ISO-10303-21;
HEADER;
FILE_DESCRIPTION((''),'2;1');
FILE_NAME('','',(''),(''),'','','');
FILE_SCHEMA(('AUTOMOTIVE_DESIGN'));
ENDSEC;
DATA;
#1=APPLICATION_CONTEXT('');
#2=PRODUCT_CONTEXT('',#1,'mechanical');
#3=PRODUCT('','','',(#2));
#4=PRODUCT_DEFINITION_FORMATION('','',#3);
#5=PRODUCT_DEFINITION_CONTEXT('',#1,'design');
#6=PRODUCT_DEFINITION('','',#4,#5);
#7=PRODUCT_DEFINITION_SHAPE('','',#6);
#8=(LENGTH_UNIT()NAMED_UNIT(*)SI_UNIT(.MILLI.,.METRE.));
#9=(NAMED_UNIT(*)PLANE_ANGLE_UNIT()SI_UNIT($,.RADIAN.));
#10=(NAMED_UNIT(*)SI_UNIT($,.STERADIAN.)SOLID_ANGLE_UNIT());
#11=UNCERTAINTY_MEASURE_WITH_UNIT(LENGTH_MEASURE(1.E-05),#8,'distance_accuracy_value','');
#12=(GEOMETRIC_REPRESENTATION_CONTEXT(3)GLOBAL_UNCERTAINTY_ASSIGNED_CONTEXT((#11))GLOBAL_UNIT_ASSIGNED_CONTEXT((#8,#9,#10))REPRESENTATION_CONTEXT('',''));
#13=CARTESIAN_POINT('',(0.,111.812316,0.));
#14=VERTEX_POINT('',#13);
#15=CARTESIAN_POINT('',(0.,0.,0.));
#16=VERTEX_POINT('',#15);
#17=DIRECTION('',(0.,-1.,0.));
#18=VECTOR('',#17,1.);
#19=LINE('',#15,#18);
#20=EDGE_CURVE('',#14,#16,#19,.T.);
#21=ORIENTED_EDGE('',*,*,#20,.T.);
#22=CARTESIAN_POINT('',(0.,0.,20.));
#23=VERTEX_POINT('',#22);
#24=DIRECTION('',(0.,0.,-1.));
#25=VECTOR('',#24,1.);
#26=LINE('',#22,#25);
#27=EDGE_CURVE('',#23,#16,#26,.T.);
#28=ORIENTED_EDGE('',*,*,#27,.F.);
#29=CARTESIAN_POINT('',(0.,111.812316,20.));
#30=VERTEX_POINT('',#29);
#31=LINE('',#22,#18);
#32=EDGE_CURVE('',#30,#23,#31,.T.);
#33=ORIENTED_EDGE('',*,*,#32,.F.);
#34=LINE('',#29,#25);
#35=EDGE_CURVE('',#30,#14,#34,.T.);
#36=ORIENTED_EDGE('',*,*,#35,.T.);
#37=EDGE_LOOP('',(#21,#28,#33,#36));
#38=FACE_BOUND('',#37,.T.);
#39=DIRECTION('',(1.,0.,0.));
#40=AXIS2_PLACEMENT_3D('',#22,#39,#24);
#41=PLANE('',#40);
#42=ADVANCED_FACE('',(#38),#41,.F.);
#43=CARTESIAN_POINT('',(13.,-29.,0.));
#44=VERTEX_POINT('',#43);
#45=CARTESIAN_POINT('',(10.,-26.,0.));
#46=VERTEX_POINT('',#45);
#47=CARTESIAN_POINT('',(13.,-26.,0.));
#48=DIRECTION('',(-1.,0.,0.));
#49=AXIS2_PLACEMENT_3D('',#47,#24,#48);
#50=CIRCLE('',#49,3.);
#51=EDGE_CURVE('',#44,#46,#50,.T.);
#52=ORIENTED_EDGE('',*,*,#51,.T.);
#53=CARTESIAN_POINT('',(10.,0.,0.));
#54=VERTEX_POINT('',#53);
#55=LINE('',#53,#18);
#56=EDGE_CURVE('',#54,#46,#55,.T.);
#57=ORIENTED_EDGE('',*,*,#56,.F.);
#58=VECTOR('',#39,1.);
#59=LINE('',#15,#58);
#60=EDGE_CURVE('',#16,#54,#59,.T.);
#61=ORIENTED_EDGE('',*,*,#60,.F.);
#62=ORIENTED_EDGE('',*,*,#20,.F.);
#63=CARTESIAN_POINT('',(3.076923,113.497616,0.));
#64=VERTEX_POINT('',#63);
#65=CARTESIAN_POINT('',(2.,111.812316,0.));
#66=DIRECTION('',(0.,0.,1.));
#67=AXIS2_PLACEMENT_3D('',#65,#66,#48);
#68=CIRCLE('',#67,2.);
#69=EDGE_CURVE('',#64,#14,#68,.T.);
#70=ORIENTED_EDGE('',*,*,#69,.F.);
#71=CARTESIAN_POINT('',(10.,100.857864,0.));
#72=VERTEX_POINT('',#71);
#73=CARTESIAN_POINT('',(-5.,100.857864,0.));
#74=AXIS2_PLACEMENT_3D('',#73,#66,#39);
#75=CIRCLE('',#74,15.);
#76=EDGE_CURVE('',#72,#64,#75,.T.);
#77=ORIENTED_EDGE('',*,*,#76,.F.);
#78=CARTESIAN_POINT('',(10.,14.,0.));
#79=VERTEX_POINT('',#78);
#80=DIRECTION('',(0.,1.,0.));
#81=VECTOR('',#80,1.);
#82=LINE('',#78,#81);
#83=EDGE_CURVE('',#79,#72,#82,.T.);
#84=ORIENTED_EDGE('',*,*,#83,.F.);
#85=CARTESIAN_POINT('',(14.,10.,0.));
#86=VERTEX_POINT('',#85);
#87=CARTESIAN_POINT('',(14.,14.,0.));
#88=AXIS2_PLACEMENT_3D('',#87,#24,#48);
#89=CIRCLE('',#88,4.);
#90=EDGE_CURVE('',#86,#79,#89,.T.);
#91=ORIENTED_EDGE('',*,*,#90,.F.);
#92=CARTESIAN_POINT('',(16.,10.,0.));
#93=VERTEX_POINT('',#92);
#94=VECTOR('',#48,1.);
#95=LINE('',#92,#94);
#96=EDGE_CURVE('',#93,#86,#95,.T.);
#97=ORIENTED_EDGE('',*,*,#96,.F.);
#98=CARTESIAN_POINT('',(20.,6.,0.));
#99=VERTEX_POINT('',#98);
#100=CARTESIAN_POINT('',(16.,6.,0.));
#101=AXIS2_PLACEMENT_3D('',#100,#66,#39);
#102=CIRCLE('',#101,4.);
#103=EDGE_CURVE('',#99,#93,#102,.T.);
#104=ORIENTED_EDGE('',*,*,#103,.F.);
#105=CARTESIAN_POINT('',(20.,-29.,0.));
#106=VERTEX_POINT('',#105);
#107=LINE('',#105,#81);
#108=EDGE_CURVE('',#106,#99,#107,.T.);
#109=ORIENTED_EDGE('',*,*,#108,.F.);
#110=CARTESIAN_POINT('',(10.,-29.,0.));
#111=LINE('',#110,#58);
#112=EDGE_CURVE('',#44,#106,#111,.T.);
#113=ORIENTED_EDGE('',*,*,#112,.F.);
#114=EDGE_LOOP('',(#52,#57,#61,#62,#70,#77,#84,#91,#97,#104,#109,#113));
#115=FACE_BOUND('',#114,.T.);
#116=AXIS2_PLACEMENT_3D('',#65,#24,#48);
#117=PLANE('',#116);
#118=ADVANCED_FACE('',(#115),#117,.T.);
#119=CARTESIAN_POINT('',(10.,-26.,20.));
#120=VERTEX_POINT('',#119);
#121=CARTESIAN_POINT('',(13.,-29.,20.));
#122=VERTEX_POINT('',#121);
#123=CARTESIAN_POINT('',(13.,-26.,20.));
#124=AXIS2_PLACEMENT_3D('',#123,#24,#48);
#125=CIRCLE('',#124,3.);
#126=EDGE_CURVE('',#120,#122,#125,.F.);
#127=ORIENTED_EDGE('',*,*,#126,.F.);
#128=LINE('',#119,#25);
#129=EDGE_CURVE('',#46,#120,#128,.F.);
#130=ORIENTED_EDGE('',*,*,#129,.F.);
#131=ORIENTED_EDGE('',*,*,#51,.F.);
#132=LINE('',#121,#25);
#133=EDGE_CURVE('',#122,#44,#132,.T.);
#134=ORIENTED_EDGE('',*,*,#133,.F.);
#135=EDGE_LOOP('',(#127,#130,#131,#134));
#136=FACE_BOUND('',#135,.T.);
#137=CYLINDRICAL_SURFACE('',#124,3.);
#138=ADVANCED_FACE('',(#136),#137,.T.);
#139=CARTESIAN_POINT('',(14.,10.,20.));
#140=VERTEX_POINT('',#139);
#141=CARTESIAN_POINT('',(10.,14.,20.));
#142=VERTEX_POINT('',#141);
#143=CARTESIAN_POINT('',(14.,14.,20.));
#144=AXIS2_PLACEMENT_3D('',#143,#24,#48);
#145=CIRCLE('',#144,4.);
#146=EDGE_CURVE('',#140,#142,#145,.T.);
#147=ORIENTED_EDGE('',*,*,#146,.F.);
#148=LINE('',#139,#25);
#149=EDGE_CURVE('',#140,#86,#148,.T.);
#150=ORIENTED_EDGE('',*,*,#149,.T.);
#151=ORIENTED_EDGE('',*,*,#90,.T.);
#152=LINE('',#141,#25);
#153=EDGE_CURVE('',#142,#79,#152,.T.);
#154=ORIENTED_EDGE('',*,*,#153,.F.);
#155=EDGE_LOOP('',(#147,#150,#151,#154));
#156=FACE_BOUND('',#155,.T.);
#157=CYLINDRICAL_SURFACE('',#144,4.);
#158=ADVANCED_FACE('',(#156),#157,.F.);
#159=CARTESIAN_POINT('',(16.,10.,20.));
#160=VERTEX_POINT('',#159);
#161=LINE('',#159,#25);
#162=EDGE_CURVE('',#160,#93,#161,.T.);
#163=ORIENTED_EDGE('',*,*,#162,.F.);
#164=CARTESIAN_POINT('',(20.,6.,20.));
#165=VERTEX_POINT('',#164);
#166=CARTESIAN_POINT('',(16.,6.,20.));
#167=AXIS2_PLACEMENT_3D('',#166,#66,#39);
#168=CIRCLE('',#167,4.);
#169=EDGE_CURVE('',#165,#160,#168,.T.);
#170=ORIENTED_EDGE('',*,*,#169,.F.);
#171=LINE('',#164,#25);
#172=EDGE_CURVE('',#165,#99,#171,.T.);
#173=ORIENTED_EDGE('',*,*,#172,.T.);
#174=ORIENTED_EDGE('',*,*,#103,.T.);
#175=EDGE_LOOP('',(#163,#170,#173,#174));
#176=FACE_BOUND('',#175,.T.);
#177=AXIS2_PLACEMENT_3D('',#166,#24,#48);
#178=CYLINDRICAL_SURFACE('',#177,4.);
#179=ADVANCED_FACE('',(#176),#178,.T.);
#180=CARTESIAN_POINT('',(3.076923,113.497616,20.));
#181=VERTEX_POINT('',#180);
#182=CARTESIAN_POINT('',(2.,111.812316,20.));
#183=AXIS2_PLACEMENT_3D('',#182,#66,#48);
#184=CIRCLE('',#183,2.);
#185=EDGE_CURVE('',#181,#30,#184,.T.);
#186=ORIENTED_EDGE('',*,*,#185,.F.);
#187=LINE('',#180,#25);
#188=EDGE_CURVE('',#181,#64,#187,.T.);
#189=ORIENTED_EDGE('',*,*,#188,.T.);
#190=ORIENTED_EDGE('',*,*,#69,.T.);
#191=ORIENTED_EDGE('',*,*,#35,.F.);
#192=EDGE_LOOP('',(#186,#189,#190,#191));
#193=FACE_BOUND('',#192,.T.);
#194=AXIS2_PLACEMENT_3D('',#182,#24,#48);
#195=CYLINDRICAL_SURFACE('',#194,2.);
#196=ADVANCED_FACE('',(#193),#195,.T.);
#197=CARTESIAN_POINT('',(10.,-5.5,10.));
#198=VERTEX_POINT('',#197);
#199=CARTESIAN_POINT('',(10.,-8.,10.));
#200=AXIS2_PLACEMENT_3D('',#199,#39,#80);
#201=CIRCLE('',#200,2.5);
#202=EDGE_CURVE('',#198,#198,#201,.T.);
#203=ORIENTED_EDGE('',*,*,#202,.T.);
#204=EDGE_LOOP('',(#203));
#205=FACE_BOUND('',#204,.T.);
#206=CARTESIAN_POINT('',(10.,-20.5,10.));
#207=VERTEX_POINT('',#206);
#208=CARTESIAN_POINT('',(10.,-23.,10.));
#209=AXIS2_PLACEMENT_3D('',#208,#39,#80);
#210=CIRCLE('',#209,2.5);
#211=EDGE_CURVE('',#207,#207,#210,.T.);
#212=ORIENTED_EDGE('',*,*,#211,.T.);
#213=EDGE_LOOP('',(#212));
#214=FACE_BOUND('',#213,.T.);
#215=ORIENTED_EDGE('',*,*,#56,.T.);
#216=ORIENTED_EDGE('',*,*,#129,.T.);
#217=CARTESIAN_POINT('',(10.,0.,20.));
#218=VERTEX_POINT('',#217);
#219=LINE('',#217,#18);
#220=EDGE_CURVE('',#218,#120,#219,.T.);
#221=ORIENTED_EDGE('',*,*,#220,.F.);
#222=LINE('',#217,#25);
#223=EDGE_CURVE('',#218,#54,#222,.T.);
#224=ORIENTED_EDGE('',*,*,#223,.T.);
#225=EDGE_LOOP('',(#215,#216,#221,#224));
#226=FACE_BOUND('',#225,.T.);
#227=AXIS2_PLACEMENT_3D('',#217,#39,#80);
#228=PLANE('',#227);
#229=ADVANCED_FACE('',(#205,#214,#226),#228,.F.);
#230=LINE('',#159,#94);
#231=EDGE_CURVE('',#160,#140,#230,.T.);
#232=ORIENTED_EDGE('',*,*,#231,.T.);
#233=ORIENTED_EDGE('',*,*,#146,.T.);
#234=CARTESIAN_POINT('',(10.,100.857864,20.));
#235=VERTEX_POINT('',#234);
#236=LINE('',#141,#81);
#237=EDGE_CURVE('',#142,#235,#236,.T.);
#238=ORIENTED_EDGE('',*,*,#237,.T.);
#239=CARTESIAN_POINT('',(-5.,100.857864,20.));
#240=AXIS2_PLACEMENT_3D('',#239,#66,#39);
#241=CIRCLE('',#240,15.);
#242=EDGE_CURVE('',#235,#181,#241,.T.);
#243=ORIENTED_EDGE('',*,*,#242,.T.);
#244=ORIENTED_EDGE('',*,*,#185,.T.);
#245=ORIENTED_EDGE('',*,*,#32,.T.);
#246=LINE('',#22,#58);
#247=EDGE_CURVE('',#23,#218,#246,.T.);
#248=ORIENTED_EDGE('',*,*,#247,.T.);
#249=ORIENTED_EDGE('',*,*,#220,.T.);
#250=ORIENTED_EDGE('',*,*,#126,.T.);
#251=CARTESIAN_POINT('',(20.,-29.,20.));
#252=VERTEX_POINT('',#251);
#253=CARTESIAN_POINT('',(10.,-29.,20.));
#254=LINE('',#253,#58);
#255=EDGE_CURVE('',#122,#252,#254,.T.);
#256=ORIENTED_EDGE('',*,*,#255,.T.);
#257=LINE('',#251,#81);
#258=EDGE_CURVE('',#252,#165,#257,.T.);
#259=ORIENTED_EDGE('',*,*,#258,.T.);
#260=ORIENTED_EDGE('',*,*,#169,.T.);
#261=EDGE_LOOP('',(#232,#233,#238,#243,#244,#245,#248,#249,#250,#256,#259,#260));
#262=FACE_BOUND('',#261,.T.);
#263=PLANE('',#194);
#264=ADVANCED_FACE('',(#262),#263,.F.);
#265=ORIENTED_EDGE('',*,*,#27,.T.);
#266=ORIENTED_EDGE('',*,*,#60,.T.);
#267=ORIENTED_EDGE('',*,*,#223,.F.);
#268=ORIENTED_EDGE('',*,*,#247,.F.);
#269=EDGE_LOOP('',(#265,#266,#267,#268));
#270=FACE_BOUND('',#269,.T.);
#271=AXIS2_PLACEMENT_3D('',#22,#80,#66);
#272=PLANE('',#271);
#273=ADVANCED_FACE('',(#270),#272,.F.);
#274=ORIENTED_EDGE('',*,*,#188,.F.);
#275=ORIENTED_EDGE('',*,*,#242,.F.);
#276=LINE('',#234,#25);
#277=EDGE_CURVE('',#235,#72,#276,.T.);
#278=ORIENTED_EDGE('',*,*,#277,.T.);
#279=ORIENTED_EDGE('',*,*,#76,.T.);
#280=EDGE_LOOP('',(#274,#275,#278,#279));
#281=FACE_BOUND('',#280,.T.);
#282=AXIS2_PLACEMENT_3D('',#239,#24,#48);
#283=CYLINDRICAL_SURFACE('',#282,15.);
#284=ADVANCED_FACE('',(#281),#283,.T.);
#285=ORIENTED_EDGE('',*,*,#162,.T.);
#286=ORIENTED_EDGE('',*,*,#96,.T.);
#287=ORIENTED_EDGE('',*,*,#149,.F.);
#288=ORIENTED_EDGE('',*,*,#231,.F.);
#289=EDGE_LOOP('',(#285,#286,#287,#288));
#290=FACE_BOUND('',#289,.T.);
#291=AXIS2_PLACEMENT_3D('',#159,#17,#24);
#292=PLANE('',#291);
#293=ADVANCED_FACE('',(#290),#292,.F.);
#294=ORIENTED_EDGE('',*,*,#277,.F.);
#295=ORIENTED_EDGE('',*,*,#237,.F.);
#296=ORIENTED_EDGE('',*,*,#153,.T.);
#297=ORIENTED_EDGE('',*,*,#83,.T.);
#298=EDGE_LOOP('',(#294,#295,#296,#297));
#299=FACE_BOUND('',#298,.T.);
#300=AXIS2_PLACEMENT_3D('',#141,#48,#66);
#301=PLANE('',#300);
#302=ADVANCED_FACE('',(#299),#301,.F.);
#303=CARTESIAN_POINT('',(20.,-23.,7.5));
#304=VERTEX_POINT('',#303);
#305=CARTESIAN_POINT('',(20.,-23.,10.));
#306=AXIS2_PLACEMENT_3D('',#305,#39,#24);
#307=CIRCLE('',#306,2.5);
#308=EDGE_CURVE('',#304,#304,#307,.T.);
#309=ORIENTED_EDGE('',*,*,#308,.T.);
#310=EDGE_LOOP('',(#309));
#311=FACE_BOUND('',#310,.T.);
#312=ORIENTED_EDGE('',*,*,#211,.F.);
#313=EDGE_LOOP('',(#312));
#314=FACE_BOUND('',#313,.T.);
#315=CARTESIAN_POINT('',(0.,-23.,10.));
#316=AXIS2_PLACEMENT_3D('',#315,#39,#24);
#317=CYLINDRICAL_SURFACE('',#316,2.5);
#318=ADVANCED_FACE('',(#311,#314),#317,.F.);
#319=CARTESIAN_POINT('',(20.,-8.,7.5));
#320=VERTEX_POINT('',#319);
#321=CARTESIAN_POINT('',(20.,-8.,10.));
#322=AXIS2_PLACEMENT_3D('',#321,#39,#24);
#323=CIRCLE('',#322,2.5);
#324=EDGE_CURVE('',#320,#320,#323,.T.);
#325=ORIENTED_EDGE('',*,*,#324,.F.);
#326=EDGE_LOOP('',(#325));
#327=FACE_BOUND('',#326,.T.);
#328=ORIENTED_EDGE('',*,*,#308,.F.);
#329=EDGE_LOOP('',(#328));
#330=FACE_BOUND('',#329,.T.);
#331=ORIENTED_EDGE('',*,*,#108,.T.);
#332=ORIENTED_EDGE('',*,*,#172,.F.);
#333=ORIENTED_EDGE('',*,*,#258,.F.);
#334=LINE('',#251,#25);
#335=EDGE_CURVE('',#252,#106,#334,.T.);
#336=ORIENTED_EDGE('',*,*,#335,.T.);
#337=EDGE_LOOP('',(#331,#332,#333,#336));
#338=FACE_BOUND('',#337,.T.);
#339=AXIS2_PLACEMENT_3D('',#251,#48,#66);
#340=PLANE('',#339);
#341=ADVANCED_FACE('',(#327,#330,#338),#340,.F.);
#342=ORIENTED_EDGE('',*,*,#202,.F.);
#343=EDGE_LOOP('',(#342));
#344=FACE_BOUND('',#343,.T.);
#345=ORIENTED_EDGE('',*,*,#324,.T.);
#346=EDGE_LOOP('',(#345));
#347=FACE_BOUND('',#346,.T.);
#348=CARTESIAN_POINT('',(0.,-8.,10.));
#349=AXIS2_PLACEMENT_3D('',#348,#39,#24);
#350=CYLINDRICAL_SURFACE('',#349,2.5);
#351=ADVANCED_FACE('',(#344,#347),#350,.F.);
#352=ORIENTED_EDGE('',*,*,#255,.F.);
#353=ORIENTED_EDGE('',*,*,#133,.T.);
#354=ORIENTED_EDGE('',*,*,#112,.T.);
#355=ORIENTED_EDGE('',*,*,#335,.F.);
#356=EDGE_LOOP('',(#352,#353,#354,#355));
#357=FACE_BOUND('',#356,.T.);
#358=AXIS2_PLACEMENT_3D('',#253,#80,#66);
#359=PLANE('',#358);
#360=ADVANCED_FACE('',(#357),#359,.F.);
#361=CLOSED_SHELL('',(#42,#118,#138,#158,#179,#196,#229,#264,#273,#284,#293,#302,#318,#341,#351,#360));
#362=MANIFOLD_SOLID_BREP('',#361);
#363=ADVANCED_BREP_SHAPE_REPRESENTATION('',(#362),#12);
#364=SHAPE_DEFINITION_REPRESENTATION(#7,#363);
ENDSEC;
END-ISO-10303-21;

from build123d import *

# Parameters (mm, degrees)
BOSS_EXTRUDE1_DEPTH = 20
SKETCH2_R           = 2.5
CUT_EXTRUDE1_DEPTH  = 21
FILLET1_R           = 3


with BuildPart() as part:
    # Sketch1 → Boss-Extrude1 (new body)
    with BuildSketch(Plane.XY):
        with BuildLine():
            Line((0, 0), (10, 0))
            Line((10, 0), (10, -29))
            Line((10, -29), (20, -29))
            Line((20, -29), (20, 6))
            ThreePointArc((20, 6), (18.828427125, 8.828427125), (16, 10))
            Line((16, 10), (14, 10))
            ThreePointArc((14, 10), (11.171572875, 11.171572875), (10, 14))
            Line((10, 14), (10, 100.857864376))
            ThreePointArc((10, 100.857864376), (8.15587029, 108.063631297), (3.076923077, 113.497615703))
            ThreePointArc((3.076923077, 113.497615703), (1.039231077, 113.566431565), (0, 111.812315526))
            Line((0, 111.812315526), (0, 0))
        make_face()
    extrude(amount=BOSS_EXTRUDE1_DEPTH)

    # Sketch2 → Cut-Extrude1 (cut, through all)
    with BuildSketch(Plane(origin=(20, 0, 0), x_dir=(0, 0, -1), z_dir=(1, 0, 0))):
        with Locations((-10, -8)):
            Circle(SKETCH2_R)
        with Locations((-10, -23)):
            Circle(SKETCH2_R)
    extrude(amount=-CUT_EXTRUDE1_DEPTH, mode=Mode.SUBTRACT)

    # Fillet1
    fillet1_edges = [part.edges().sort_by_distance(p)[0] for p in [
        (10, -29, 10),
    ]]
    fillet(fillet1_edges, radius=FILLET1_R)


solid = part.part
